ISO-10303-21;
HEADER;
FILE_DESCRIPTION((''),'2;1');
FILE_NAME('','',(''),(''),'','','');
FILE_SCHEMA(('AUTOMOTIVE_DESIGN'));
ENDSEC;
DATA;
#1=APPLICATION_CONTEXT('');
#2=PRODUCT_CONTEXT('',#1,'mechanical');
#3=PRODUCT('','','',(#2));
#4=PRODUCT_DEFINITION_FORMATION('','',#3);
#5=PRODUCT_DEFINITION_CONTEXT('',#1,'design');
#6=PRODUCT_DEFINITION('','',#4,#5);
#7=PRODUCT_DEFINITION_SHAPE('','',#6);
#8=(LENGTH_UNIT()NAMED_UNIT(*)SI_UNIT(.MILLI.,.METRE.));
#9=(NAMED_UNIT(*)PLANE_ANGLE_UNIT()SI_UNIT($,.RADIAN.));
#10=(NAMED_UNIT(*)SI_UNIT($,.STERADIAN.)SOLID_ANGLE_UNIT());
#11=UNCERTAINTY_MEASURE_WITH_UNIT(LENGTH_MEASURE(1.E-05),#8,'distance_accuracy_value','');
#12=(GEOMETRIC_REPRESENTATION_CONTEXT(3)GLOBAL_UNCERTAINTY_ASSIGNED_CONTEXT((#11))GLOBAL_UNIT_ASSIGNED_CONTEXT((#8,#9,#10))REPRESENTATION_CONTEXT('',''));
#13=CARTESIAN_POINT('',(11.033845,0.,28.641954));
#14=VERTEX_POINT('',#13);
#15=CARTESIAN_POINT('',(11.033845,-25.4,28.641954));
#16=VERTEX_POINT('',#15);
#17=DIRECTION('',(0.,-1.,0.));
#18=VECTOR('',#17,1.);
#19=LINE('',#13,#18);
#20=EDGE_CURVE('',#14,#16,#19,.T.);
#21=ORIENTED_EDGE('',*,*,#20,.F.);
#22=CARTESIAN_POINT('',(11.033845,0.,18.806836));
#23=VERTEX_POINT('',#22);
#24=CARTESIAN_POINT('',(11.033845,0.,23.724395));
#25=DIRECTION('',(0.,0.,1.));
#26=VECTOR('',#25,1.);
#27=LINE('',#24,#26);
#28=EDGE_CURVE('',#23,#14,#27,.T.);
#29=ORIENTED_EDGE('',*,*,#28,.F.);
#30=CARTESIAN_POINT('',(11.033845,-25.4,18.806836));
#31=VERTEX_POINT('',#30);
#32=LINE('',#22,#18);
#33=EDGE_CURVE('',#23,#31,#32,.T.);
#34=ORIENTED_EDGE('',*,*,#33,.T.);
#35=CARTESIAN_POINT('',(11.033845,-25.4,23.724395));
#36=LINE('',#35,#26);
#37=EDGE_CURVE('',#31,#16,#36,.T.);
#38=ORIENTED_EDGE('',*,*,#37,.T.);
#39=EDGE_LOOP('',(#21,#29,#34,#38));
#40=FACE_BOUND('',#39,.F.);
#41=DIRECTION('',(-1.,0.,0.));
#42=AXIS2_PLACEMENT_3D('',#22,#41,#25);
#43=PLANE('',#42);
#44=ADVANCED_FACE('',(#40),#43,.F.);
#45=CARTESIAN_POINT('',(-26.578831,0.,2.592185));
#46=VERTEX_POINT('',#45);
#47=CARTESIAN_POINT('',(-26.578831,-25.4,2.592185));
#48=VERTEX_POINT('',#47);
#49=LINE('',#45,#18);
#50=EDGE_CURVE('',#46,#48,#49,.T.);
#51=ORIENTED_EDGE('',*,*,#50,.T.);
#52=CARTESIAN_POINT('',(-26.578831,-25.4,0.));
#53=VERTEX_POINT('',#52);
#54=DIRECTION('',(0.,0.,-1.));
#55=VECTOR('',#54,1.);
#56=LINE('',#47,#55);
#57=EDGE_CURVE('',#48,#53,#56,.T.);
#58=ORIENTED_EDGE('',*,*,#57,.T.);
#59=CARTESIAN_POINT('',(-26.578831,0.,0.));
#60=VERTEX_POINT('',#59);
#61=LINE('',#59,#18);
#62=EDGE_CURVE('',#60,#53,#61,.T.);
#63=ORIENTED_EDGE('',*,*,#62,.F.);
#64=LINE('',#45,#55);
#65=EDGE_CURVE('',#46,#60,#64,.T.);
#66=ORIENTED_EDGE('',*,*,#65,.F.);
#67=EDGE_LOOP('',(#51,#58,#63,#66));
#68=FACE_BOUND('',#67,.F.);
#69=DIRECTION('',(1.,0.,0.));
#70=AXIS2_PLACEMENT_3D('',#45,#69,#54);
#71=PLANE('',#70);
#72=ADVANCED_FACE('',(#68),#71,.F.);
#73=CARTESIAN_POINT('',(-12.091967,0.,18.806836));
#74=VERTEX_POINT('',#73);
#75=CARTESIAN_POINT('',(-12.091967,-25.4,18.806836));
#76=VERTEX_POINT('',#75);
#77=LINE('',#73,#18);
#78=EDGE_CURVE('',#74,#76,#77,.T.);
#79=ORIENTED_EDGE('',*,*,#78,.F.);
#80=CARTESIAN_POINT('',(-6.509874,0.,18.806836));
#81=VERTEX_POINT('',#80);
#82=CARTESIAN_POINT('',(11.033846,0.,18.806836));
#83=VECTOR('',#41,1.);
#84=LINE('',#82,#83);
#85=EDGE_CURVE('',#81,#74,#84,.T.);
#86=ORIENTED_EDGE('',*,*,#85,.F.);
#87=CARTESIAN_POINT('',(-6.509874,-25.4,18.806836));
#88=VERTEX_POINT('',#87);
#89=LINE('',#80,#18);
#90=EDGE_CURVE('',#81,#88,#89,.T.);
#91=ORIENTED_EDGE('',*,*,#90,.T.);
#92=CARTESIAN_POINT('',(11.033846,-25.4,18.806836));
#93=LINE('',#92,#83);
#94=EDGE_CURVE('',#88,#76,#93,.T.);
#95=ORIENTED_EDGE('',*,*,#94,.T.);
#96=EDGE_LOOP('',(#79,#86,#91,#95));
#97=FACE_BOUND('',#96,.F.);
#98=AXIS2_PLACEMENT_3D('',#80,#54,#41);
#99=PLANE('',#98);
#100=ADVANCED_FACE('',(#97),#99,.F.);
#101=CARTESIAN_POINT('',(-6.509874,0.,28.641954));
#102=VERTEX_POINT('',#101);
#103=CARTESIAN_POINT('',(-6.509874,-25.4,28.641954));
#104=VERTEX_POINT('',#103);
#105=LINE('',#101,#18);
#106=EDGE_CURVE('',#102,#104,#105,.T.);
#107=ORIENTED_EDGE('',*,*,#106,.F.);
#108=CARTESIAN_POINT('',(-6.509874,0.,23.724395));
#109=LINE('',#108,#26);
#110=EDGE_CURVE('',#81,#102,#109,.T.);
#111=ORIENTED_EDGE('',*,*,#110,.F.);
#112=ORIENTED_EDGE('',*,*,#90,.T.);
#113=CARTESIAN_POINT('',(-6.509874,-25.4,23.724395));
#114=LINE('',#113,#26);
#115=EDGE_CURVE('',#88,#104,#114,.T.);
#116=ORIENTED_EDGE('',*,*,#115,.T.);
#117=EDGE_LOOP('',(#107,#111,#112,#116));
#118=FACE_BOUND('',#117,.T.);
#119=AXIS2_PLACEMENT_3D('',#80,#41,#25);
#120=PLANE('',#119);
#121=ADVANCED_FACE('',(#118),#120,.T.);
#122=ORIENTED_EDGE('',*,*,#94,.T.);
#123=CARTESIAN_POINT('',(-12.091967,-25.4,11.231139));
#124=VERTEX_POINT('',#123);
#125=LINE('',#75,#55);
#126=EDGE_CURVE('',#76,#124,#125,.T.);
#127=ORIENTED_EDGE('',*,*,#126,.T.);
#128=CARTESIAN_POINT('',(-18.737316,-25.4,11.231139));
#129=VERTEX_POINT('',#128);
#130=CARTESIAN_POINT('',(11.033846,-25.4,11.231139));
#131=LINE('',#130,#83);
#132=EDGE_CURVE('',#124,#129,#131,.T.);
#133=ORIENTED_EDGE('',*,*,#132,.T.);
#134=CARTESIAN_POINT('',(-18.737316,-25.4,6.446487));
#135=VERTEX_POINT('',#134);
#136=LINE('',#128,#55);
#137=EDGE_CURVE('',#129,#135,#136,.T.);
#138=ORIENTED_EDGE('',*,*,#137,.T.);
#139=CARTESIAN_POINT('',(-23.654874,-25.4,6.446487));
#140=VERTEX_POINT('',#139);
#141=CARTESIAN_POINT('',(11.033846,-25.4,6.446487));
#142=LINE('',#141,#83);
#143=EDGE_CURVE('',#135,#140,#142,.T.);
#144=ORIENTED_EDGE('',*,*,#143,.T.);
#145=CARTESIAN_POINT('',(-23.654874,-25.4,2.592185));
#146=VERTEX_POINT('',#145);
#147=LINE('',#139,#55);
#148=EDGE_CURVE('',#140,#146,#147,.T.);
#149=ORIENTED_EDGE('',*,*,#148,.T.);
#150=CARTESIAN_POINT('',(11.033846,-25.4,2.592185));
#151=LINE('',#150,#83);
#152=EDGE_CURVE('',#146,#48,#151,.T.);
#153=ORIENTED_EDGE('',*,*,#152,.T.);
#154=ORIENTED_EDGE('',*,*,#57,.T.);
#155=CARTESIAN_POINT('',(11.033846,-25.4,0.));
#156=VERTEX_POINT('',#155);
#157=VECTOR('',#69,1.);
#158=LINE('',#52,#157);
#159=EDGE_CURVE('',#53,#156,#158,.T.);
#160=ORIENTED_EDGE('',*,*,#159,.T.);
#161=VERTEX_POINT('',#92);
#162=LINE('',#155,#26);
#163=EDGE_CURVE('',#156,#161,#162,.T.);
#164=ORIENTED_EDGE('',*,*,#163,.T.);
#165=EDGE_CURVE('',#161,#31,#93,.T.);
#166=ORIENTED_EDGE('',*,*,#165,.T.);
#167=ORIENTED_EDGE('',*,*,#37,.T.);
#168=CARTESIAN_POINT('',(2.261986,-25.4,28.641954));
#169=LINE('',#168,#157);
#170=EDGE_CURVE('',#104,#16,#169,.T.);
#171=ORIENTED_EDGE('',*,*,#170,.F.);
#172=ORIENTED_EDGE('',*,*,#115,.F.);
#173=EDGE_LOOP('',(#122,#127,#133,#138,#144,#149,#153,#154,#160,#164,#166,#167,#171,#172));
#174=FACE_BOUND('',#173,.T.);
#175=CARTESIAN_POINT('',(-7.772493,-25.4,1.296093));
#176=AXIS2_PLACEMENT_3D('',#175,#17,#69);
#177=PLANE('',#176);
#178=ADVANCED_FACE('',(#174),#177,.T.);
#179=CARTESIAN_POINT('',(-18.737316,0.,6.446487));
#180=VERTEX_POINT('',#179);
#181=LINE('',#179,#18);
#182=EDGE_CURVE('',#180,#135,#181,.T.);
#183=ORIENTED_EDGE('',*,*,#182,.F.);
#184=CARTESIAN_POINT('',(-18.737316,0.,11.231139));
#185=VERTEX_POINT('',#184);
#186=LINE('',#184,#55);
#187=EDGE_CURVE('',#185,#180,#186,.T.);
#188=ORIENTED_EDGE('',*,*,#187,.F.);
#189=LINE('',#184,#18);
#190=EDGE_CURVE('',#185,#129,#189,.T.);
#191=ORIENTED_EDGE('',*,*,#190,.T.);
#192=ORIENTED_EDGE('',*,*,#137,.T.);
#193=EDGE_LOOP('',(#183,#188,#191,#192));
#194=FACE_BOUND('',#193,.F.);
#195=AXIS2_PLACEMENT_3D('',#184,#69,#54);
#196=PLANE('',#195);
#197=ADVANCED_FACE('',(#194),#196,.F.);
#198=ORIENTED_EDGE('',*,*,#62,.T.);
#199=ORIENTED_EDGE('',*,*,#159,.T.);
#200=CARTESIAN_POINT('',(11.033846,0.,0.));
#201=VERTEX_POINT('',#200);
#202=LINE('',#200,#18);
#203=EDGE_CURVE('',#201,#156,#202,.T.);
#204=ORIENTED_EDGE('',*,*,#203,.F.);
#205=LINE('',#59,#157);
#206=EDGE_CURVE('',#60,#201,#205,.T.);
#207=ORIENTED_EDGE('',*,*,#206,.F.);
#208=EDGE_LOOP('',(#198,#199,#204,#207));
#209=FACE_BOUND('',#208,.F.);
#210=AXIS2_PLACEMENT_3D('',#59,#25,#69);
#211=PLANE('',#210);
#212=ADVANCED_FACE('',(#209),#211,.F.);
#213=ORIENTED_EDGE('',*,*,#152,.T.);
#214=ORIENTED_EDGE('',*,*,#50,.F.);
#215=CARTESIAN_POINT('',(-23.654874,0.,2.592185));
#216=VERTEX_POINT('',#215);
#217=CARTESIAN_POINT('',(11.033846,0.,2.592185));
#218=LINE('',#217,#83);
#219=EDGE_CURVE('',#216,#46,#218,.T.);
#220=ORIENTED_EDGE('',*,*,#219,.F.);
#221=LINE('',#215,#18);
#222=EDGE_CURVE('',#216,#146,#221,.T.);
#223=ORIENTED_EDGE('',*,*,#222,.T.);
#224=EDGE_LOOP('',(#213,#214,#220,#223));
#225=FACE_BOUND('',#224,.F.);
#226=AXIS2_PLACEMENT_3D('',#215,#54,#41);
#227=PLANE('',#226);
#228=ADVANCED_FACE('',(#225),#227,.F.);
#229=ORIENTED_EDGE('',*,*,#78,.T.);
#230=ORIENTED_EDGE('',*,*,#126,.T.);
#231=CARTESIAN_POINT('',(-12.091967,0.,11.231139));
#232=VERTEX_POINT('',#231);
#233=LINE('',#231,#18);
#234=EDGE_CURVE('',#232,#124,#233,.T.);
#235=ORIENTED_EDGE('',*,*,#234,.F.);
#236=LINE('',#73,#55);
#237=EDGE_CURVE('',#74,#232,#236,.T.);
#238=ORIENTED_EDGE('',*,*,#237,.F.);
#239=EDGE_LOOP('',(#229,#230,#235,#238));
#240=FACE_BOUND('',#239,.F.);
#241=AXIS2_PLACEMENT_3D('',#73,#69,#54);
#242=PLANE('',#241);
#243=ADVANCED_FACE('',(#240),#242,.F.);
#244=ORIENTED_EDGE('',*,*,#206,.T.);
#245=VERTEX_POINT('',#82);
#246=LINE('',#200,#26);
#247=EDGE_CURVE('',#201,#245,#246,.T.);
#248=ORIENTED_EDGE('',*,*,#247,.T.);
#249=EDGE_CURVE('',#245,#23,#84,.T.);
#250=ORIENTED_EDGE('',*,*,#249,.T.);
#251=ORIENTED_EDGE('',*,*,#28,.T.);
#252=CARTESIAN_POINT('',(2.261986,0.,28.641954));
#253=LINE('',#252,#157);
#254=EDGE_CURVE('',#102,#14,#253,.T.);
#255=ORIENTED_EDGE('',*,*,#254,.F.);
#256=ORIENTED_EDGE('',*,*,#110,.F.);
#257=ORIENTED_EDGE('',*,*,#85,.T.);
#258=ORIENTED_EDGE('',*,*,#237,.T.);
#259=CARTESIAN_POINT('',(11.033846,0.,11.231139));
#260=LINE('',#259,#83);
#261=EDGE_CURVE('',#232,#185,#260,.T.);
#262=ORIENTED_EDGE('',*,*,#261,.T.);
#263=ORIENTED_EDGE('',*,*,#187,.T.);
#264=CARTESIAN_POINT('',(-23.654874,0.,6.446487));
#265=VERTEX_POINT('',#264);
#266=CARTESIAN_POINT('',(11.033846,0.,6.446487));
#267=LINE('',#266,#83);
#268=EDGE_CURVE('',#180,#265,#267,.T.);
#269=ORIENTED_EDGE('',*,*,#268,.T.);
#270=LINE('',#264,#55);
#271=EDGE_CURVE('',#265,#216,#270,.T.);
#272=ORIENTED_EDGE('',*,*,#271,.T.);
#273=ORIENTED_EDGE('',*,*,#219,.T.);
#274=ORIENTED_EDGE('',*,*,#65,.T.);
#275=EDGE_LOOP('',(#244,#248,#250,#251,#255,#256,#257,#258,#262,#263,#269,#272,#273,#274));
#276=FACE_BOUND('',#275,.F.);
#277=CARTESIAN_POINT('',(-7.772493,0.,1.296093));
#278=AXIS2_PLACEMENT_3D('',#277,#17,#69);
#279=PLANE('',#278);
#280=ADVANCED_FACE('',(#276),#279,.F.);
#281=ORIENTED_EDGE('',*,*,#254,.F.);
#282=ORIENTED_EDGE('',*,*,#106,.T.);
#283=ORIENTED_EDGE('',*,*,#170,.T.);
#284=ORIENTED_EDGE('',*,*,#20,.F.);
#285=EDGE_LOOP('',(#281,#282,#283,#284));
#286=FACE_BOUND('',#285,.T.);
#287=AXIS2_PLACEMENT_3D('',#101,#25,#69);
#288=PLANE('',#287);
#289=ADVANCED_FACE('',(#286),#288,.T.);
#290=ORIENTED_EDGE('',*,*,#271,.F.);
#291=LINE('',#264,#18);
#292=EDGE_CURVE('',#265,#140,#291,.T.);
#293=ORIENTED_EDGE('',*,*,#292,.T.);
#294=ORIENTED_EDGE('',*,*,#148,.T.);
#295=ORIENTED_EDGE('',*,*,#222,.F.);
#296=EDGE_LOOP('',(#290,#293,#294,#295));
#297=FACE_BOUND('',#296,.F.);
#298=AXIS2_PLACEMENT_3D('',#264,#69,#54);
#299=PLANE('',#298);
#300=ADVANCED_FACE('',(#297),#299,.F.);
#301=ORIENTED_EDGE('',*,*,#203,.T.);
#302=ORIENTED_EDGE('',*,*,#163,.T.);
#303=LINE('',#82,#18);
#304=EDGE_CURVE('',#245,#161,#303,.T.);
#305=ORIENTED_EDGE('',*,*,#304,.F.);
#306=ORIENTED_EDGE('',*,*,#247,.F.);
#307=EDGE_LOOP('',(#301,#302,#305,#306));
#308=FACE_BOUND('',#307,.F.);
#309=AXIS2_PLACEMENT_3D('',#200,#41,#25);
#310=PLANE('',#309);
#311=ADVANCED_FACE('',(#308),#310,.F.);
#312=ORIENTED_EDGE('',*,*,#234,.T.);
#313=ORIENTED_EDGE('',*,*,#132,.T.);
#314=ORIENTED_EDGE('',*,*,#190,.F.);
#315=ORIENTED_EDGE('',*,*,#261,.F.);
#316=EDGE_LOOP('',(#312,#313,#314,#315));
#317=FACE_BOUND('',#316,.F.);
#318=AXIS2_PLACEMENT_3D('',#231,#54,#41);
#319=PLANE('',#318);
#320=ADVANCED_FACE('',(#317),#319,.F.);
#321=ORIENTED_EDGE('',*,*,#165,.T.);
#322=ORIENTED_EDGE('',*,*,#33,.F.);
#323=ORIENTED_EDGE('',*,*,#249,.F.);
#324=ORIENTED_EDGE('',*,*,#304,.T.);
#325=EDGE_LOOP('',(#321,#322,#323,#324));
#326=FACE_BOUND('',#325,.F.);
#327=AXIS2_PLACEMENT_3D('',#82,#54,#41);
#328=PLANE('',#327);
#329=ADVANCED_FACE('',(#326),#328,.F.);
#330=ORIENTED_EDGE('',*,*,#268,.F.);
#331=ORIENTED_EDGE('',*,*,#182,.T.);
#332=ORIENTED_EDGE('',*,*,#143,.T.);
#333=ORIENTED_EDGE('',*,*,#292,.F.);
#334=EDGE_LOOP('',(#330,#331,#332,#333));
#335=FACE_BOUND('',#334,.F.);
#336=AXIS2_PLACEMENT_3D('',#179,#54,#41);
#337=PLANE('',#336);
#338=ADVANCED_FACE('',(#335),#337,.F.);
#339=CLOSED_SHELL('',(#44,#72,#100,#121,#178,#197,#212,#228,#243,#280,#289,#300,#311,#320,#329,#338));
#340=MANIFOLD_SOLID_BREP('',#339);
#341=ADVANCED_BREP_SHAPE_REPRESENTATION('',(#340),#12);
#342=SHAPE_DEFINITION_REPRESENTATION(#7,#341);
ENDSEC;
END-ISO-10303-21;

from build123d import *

# Parameters (mm, degrees)
F0_W     = 17.543719
F0_H     = 9.835118
F1_DEPTH = 25.4


with BuildPart() as f1:
    # F0 (on Front) → F1 (new body)
    with BuildSketch(Plane.XZ):
        Polygon((-26.578831, 2.592185), (-26.578831, 0), (11.033846, 0), (11.033846, 2.592185), (-23.654874, 2.592185), align=None)
        Polygon((-23.654874, 6.446487), (-23.654874, 2.592185), (11.033846, 2.592185), (11.033846, 6.446487), (-18.737316, 6.446487), align=None)
        Polygon((-18.737316, 6.446487), (11.033846, 6.446487), (11.033846, 11.231139), (-12.091967, 11.231139), (-18.737316, 11.231139), align=None)
        Polygon((-12.091967, 11.231139), (11.033846, 11.231139), (11.033846, 18.806836), (-6.509873, 18.806836), (-12.091967, 18.806836), align=None)
        with Locations((2.261986, 23.724395)):
            Rectangle(F0_W, F0_H)
    extrude(amount=F1_DEPTH)


solid = f1.part
